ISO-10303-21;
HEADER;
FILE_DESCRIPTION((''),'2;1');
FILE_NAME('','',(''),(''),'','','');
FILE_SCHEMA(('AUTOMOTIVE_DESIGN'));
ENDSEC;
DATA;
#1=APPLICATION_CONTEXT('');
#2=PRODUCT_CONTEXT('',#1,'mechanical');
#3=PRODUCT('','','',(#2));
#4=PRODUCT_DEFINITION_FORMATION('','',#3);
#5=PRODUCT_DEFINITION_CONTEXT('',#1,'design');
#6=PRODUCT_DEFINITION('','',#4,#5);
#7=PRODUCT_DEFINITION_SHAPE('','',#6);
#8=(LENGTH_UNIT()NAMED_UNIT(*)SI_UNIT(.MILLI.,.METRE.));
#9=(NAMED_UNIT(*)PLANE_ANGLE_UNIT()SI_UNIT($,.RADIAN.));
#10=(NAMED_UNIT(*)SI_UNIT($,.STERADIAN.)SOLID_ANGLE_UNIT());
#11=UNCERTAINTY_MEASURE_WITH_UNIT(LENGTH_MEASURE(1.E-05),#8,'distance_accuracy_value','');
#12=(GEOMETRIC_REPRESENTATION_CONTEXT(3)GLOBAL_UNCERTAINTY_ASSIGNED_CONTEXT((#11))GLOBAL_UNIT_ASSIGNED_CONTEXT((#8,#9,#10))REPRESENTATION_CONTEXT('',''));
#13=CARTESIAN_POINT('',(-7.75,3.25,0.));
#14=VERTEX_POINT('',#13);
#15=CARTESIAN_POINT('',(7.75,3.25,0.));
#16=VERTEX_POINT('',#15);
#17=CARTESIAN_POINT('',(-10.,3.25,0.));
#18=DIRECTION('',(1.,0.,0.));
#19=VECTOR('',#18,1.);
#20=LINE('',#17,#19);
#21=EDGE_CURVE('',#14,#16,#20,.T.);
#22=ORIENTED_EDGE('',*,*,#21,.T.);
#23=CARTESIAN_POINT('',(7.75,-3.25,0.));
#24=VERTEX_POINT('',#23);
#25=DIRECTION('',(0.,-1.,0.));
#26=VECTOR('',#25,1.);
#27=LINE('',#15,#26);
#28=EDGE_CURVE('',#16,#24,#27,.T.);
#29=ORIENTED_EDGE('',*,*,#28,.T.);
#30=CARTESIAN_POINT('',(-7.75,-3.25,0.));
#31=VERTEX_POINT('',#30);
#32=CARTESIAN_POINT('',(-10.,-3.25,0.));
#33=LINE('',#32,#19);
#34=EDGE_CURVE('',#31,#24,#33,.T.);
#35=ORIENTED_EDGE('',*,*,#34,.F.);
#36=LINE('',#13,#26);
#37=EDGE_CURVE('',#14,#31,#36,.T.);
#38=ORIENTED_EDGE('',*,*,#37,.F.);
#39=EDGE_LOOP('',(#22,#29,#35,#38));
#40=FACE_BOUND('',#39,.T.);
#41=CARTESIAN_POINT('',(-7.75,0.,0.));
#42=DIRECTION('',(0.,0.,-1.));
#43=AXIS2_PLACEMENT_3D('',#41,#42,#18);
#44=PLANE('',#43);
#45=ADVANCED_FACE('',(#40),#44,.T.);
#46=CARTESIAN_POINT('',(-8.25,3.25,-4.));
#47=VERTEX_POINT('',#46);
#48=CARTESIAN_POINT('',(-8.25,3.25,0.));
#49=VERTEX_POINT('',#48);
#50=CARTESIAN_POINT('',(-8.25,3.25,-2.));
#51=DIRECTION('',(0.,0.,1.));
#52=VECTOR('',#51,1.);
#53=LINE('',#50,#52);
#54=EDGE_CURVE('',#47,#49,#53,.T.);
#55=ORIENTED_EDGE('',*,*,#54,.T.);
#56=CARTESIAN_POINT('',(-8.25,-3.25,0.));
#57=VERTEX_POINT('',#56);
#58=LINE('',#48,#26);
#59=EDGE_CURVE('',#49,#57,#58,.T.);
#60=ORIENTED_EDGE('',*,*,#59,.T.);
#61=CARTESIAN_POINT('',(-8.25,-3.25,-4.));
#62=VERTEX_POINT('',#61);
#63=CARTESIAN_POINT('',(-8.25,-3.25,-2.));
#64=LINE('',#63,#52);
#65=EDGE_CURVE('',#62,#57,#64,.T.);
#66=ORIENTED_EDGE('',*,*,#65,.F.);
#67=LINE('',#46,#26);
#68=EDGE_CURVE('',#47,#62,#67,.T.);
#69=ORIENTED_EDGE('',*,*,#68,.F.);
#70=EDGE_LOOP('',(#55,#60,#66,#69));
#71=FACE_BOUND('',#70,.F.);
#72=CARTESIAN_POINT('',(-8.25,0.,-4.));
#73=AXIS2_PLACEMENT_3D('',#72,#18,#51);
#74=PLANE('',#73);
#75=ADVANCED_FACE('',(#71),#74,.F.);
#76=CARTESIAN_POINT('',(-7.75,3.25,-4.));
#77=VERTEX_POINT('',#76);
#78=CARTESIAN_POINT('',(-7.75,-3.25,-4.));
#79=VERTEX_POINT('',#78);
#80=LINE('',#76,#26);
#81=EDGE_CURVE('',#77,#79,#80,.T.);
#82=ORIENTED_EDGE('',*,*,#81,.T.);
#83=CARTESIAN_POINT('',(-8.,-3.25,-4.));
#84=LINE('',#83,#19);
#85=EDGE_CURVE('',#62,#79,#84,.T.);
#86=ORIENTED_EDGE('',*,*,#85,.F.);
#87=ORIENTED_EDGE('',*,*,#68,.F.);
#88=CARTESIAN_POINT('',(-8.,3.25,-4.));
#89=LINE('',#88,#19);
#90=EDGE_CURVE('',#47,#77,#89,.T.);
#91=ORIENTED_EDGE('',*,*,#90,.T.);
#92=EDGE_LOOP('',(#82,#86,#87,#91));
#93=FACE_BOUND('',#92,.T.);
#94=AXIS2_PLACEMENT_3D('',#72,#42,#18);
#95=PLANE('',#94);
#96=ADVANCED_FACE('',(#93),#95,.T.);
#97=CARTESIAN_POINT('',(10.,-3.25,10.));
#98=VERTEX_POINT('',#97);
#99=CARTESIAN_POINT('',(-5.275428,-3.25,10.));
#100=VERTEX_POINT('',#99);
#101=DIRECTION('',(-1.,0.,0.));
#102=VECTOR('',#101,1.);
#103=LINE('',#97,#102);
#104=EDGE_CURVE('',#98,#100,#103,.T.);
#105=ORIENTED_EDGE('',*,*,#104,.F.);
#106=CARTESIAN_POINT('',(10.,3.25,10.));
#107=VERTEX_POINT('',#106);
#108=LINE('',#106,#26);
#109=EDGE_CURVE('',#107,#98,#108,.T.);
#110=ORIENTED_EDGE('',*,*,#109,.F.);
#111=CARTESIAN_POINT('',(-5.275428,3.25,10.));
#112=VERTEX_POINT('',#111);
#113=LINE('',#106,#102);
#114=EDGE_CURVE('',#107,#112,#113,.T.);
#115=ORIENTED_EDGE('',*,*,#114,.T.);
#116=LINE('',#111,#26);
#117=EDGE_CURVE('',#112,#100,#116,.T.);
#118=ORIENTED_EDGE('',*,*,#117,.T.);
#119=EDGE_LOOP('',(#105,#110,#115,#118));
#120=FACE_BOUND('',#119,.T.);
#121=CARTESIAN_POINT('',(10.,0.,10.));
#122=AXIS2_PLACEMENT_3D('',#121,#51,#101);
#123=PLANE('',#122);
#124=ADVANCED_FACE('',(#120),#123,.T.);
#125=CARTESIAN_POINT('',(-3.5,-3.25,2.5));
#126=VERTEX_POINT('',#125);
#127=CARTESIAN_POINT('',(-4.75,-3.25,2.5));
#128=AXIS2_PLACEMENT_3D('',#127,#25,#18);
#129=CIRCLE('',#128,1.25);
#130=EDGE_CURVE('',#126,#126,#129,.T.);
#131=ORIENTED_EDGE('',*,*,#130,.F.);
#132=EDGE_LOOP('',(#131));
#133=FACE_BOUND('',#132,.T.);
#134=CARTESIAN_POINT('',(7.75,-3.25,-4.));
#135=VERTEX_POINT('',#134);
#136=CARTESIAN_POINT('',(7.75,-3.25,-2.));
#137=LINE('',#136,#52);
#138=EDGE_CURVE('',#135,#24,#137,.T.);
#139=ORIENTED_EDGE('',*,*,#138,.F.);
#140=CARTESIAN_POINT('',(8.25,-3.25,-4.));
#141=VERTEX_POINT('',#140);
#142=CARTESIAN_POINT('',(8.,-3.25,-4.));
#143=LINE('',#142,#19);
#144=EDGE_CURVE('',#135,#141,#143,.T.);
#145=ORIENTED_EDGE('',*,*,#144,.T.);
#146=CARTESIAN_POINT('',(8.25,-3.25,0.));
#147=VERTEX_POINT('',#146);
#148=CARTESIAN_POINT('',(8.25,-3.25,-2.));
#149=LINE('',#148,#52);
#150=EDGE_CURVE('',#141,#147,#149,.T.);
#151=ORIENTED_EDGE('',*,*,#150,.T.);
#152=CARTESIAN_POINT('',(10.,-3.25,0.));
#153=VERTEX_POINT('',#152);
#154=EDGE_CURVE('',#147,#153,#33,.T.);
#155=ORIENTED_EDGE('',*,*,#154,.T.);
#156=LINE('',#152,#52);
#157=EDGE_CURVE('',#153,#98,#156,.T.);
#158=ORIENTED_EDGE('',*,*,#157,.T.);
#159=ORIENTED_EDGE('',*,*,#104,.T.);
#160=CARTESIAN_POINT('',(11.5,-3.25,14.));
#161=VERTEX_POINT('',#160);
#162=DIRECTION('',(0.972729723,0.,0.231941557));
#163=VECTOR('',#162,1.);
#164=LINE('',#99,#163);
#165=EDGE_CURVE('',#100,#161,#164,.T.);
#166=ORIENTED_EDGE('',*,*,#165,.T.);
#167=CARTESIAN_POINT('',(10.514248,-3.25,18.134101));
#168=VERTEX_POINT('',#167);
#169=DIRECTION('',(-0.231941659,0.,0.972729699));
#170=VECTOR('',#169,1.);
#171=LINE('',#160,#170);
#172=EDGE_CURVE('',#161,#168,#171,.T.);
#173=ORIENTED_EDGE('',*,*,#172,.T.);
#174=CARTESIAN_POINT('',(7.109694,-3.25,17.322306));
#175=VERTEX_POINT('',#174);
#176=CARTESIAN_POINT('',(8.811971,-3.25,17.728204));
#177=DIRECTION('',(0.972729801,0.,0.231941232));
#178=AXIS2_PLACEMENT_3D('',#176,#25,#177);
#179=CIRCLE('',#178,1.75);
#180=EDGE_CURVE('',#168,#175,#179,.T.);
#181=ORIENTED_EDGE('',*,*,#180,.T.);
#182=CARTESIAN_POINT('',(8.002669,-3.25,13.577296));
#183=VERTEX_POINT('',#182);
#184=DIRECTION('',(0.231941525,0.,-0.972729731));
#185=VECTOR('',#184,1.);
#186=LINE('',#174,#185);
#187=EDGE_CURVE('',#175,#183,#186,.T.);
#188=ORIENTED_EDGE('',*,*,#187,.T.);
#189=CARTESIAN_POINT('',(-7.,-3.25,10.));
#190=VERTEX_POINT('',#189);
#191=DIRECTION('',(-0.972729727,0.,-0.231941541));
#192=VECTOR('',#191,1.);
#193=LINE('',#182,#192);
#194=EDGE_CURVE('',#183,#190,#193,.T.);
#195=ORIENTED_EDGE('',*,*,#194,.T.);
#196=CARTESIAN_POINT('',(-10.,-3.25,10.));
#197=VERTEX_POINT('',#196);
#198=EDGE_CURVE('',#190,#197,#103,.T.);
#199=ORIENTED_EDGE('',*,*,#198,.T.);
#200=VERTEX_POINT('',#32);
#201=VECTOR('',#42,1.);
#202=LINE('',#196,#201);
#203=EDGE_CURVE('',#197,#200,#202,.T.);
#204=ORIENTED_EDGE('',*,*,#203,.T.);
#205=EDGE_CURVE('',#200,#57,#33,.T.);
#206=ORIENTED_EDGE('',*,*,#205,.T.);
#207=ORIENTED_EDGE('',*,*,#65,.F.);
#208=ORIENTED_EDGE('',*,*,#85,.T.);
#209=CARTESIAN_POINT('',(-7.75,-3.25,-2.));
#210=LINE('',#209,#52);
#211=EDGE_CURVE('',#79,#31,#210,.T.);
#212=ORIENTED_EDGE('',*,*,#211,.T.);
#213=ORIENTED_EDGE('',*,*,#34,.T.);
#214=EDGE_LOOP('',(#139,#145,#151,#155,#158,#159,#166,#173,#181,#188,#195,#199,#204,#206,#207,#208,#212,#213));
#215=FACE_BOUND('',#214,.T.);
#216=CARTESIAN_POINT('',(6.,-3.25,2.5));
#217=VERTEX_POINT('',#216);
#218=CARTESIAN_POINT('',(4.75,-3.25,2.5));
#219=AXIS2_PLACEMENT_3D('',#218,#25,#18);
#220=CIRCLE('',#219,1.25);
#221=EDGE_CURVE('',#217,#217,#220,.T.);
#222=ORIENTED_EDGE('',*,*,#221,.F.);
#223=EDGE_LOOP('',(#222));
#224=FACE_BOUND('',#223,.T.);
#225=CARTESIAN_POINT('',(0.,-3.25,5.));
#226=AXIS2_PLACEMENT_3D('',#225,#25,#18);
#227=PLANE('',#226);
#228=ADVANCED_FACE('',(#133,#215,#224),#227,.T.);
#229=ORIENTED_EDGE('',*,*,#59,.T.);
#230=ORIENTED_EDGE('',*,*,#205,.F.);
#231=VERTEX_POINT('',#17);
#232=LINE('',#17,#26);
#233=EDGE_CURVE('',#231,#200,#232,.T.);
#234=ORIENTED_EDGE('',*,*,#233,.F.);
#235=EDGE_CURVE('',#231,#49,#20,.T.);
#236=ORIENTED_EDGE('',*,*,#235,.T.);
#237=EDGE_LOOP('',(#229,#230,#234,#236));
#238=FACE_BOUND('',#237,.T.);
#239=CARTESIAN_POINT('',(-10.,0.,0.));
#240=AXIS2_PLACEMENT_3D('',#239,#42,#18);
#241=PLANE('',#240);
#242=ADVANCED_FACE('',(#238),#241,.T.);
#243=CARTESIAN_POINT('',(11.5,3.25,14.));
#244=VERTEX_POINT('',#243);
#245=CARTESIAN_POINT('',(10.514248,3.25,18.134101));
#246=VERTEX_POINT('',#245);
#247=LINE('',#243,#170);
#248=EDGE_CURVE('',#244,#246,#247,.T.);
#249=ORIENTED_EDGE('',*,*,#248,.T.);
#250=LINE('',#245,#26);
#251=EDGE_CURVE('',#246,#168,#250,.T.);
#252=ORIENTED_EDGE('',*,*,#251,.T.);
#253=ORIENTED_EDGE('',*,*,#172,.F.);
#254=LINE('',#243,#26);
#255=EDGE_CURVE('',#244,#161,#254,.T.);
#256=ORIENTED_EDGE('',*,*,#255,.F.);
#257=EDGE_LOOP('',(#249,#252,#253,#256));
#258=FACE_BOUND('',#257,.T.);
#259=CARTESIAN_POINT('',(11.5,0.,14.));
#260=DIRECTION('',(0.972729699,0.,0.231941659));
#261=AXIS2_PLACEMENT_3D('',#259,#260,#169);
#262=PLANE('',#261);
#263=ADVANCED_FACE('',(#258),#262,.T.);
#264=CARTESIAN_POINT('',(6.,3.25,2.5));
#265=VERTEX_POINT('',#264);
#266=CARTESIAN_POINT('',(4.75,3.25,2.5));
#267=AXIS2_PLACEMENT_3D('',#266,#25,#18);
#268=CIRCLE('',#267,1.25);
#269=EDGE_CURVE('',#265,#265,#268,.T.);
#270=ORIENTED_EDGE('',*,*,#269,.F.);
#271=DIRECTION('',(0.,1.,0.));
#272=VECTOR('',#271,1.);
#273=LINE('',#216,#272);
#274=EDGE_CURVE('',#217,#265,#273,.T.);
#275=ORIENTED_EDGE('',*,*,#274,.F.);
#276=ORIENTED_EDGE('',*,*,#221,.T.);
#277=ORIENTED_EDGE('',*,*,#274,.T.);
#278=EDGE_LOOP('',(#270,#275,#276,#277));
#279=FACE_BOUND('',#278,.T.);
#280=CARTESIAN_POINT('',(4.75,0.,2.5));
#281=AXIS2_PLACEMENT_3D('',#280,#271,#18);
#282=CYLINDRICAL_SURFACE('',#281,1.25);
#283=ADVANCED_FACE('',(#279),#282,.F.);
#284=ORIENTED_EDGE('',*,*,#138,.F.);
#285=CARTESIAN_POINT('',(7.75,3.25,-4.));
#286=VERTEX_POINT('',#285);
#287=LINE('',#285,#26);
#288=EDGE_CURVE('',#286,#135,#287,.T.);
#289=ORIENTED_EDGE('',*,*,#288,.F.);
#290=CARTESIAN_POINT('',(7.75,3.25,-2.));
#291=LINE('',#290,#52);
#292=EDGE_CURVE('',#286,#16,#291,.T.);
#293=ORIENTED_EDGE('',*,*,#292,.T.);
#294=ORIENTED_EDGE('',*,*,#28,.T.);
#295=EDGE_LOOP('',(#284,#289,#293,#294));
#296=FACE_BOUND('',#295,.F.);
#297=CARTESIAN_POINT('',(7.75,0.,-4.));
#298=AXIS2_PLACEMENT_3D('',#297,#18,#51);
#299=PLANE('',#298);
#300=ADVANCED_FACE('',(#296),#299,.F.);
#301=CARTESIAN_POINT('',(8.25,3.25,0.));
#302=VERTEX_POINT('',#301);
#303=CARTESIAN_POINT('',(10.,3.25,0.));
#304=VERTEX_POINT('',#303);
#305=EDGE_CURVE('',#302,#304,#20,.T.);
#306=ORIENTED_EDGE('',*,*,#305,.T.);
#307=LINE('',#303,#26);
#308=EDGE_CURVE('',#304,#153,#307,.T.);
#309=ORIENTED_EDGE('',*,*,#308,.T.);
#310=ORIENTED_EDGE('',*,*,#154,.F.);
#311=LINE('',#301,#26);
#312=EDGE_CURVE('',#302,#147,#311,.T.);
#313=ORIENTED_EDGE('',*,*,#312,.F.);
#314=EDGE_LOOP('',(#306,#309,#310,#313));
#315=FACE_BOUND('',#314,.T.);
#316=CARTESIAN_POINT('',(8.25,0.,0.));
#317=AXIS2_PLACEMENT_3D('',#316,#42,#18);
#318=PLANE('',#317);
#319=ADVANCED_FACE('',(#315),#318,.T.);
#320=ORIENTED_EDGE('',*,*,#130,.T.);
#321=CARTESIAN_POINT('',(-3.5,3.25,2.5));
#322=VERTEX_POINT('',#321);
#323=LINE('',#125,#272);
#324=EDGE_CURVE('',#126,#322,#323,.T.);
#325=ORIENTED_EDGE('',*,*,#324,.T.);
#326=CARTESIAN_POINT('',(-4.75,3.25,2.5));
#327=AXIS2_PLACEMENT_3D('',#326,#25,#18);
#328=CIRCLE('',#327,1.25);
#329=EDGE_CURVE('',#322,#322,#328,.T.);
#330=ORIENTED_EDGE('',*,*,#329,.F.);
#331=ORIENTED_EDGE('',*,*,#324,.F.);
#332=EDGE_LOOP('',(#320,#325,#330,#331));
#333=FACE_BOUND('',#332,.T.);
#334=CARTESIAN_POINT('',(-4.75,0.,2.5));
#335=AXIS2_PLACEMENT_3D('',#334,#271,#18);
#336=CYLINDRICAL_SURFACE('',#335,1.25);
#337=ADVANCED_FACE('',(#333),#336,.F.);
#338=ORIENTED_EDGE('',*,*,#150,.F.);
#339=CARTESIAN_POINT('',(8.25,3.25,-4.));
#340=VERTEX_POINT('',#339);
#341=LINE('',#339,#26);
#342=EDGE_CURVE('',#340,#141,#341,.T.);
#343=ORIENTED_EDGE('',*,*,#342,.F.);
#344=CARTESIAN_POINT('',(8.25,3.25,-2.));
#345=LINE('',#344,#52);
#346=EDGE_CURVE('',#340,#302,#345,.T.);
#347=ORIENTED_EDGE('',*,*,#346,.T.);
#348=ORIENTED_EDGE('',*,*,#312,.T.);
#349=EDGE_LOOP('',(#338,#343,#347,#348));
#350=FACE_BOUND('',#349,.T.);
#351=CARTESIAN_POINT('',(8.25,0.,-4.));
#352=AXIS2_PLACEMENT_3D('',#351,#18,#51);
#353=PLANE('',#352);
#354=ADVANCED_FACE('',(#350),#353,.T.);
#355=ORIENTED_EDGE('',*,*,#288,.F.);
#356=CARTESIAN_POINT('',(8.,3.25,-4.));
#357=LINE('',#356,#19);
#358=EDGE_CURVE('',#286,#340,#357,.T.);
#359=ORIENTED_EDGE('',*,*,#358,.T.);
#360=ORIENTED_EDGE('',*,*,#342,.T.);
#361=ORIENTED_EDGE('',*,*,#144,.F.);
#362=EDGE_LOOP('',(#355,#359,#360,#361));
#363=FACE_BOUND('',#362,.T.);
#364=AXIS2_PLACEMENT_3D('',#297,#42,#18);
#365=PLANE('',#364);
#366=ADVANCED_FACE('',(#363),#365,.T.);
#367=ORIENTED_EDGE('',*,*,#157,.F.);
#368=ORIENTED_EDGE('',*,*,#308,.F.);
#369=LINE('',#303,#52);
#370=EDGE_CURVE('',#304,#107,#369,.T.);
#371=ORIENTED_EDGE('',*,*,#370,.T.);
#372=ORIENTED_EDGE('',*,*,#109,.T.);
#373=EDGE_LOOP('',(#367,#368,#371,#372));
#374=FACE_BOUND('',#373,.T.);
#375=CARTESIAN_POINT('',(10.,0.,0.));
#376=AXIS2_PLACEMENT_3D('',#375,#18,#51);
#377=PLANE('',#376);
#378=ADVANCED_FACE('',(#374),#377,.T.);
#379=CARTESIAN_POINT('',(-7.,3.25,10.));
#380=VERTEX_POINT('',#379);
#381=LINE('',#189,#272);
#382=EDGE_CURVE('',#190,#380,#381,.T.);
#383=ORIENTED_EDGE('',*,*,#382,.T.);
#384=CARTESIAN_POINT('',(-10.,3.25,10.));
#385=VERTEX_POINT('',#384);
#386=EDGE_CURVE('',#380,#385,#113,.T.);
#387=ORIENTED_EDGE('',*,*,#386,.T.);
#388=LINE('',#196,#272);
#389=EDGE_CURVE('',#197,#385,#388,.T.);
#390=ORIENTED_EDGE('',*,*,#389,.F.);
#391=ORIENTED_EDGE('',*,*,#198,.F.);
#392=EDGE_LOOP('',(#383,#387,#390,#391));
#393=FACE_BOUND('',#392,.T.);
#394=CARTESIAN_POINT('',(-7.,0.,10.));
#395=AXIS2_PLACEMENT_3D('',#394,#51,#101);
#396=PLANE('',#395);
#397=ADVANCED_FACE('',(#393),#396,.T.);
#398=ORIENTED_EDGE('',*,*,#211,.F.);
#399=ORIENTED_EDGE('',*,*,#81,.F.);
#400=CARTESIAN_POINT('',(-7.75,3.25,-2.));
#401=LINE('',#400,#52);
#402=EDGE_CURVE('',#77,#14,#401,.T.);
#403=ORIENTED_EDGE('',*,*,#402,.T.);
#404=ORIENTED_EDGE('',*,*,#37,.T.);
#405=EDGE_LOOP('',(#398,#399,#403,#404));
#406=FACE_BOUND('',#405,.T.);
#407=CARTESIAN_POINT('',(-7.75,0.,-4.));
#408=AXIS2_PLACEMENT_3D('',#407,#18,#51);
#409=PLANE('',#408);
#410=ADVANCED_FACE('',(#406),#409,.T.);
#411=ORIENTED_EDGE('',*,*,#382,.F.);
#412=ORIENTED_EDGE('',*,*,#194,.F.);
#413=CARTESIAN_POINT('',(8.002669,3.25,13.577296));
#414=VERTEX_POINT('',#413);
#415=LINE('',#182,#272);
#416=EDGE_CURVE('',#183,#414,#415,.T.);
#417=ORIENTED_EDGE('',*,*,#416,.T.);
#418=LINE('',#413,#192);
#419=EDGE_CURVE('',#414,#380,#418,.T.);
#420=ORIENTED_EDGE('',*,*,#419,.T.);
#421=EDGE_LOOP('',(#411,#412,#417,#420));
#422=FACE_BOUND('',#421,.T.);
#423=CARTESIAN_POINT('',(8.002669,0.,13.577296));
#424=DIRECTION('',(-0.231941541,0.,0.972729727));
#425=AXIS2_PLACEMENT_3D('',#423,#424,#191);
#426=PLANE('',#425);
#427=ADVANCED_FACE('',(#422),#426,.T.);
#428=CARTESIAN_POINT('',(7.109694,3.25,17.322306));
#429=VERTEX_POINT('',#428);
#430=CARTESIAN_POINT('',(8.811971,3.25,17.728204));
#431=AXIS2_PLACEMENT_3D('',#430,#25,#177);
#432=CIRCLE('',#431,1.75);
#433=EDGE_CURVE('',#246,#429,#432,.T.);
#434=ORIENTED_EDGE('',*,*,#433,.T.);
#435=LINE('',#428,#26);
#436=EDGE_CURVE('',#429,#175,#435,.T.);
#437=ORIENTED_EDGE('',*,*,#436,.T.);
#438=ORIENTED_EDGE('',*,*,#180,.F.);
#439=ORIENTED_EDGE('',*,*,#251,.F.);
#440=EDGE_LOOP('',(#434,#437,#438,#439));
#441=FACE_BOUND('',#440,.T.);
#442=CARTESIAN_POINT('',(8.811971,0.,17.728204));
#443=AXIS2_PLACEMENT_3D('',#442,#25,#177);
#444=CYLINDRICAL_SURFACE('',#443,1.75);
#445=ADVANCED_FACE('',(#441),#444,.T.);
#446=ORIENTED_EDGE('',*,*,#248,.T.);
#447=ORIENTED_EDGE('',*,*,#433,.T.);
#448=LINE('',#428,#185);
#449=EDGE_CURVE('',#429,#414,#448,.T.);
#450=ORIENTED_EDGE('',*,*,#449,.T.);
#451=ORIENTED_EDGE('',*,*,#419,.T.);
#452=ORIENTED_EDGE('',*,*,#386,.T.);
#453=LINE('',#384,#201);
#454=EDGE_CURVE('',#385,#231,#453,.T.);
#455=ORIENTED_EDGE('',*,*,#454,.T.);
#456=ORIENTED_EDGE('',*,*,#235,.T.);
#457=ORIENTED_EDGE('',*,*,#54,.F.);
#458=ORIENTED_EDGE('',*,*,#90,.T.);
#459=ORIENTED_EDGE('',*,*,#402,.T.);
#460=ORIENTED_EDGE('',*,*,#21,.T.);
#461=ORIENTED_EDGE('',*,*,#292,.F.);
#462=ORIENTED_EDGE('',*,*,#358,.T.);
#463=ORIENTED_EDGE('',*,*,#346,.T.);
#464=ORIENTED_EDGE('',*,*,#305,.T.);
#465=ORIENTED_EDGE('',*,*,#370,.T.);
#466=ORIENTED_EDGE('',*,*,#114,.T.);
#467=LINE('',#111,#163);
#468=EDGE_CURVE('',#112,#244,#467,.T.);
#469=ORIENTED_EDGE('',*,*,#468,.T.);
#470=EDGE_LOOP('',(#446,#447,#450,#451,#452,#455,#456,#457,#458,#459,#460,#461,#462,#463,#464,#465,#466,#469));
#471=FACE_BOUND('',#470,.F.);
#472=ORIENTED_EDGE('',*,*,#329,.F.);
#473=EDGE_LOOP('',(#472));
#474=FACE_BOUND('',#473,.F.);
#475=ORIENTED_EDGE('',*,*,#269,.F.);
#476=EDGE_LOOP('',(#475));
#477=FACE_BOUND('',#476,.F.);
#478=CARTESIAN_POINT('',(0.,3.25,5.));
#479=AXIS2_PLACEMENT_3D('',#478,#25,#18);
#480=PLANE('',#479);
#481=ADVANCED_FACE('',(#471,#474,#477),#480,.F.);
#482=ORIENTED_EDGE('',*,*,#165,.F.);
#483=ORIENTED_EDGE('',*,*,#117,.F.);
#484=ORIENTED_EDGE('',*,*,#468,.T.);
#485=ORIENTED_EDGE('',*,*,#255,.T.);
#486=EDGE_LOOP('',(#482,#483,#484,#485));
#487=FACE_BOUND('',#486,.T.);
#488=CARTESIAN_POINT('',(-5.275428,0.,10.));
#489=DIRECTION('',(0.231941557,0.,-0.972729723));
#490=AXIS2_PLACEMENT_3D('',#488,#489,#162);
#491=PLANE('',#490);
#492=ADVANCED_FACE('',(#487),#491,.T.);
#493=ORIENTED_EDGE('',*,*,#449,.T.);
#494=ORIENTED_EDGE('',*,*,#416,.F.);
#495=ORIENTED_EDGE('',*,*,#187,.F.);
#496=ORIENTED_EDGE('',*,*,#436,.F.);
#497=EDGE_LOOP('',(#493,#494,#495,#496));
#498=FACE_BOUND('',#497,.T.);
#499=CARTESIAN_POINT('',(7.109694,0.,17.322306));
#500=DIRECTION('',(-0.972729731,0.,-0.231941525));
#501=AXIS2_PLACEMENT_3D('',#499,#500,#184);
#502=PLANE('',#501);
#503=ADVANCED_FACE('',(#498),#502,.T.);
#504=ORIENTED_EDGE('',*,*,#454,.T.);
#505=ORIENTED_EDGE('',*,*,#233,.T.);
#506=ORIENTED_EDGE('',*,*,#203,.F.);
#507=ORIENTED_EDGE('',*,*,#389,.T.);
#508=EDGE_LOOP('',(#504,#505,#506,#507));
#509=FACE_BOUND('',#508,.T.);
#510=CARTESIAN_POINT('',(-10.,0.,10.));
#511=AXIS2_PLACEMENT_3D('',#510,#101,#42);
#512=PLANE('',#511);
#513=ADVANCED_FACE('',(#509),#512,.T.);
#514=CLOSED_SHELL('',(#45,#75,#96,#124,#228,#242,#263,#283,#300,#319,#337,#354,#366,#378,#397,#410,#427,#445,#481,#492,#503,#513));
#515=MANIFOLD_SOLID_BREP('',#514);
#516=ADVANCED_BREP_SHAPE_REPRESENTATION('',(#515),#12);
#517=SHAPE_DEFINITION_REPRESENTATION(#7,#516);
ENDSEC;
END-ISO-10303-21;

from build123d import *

# Parameters (mm, degrees)
F0_R     = 1.25
F0_W     = 0.5
F0_H     = 4
F1_DEPTH = 3.25


with BuildPart() as f1:
    # F0 (on Front) → F1 (new body, symmetric)
    with BuildSketch(Plane.XZ):
        Polygon((-7, 10), (-10, 10), (-10, 0), (-8.25, 0), (-7.75, 0), (7.75, 0), (8.25, 0), (10, 0), (10, 10), (-5.275428, 10), align=None)
        with Locations((-4.75, 2.5)):
            Circle(F0_R, mode=Mode.SUBTRACT)
        with Locations((4.75, 2.5)):
            Circle(F0_R, mode=Mode.SUBTRACT)
        with BuildLine():
            Line((8.002669, 13.577296), (-7, 10))
            Line((-7, 10), (-5.275428, 10))
            Line((-5.275428, 10), (11.5, 14))
            Line((11.5, 14), (10.514248, 18.134101))
            ThreePointArc((10.514248, 18.134101), (8.406074, 19.430481), (7.109694, 17.322306))
            Line((7.109694, 17.322306), (8.002669, 13.577296))
        make_face()
        with Locations((-8, -2)):
            Rectangle(F0_W, F0_H)
        with Locations((8, -2)):
            Rectangle(F0_W, F0_H)
    extrude(amount=F1_DEPTH, both=True)


solid = f1.part
